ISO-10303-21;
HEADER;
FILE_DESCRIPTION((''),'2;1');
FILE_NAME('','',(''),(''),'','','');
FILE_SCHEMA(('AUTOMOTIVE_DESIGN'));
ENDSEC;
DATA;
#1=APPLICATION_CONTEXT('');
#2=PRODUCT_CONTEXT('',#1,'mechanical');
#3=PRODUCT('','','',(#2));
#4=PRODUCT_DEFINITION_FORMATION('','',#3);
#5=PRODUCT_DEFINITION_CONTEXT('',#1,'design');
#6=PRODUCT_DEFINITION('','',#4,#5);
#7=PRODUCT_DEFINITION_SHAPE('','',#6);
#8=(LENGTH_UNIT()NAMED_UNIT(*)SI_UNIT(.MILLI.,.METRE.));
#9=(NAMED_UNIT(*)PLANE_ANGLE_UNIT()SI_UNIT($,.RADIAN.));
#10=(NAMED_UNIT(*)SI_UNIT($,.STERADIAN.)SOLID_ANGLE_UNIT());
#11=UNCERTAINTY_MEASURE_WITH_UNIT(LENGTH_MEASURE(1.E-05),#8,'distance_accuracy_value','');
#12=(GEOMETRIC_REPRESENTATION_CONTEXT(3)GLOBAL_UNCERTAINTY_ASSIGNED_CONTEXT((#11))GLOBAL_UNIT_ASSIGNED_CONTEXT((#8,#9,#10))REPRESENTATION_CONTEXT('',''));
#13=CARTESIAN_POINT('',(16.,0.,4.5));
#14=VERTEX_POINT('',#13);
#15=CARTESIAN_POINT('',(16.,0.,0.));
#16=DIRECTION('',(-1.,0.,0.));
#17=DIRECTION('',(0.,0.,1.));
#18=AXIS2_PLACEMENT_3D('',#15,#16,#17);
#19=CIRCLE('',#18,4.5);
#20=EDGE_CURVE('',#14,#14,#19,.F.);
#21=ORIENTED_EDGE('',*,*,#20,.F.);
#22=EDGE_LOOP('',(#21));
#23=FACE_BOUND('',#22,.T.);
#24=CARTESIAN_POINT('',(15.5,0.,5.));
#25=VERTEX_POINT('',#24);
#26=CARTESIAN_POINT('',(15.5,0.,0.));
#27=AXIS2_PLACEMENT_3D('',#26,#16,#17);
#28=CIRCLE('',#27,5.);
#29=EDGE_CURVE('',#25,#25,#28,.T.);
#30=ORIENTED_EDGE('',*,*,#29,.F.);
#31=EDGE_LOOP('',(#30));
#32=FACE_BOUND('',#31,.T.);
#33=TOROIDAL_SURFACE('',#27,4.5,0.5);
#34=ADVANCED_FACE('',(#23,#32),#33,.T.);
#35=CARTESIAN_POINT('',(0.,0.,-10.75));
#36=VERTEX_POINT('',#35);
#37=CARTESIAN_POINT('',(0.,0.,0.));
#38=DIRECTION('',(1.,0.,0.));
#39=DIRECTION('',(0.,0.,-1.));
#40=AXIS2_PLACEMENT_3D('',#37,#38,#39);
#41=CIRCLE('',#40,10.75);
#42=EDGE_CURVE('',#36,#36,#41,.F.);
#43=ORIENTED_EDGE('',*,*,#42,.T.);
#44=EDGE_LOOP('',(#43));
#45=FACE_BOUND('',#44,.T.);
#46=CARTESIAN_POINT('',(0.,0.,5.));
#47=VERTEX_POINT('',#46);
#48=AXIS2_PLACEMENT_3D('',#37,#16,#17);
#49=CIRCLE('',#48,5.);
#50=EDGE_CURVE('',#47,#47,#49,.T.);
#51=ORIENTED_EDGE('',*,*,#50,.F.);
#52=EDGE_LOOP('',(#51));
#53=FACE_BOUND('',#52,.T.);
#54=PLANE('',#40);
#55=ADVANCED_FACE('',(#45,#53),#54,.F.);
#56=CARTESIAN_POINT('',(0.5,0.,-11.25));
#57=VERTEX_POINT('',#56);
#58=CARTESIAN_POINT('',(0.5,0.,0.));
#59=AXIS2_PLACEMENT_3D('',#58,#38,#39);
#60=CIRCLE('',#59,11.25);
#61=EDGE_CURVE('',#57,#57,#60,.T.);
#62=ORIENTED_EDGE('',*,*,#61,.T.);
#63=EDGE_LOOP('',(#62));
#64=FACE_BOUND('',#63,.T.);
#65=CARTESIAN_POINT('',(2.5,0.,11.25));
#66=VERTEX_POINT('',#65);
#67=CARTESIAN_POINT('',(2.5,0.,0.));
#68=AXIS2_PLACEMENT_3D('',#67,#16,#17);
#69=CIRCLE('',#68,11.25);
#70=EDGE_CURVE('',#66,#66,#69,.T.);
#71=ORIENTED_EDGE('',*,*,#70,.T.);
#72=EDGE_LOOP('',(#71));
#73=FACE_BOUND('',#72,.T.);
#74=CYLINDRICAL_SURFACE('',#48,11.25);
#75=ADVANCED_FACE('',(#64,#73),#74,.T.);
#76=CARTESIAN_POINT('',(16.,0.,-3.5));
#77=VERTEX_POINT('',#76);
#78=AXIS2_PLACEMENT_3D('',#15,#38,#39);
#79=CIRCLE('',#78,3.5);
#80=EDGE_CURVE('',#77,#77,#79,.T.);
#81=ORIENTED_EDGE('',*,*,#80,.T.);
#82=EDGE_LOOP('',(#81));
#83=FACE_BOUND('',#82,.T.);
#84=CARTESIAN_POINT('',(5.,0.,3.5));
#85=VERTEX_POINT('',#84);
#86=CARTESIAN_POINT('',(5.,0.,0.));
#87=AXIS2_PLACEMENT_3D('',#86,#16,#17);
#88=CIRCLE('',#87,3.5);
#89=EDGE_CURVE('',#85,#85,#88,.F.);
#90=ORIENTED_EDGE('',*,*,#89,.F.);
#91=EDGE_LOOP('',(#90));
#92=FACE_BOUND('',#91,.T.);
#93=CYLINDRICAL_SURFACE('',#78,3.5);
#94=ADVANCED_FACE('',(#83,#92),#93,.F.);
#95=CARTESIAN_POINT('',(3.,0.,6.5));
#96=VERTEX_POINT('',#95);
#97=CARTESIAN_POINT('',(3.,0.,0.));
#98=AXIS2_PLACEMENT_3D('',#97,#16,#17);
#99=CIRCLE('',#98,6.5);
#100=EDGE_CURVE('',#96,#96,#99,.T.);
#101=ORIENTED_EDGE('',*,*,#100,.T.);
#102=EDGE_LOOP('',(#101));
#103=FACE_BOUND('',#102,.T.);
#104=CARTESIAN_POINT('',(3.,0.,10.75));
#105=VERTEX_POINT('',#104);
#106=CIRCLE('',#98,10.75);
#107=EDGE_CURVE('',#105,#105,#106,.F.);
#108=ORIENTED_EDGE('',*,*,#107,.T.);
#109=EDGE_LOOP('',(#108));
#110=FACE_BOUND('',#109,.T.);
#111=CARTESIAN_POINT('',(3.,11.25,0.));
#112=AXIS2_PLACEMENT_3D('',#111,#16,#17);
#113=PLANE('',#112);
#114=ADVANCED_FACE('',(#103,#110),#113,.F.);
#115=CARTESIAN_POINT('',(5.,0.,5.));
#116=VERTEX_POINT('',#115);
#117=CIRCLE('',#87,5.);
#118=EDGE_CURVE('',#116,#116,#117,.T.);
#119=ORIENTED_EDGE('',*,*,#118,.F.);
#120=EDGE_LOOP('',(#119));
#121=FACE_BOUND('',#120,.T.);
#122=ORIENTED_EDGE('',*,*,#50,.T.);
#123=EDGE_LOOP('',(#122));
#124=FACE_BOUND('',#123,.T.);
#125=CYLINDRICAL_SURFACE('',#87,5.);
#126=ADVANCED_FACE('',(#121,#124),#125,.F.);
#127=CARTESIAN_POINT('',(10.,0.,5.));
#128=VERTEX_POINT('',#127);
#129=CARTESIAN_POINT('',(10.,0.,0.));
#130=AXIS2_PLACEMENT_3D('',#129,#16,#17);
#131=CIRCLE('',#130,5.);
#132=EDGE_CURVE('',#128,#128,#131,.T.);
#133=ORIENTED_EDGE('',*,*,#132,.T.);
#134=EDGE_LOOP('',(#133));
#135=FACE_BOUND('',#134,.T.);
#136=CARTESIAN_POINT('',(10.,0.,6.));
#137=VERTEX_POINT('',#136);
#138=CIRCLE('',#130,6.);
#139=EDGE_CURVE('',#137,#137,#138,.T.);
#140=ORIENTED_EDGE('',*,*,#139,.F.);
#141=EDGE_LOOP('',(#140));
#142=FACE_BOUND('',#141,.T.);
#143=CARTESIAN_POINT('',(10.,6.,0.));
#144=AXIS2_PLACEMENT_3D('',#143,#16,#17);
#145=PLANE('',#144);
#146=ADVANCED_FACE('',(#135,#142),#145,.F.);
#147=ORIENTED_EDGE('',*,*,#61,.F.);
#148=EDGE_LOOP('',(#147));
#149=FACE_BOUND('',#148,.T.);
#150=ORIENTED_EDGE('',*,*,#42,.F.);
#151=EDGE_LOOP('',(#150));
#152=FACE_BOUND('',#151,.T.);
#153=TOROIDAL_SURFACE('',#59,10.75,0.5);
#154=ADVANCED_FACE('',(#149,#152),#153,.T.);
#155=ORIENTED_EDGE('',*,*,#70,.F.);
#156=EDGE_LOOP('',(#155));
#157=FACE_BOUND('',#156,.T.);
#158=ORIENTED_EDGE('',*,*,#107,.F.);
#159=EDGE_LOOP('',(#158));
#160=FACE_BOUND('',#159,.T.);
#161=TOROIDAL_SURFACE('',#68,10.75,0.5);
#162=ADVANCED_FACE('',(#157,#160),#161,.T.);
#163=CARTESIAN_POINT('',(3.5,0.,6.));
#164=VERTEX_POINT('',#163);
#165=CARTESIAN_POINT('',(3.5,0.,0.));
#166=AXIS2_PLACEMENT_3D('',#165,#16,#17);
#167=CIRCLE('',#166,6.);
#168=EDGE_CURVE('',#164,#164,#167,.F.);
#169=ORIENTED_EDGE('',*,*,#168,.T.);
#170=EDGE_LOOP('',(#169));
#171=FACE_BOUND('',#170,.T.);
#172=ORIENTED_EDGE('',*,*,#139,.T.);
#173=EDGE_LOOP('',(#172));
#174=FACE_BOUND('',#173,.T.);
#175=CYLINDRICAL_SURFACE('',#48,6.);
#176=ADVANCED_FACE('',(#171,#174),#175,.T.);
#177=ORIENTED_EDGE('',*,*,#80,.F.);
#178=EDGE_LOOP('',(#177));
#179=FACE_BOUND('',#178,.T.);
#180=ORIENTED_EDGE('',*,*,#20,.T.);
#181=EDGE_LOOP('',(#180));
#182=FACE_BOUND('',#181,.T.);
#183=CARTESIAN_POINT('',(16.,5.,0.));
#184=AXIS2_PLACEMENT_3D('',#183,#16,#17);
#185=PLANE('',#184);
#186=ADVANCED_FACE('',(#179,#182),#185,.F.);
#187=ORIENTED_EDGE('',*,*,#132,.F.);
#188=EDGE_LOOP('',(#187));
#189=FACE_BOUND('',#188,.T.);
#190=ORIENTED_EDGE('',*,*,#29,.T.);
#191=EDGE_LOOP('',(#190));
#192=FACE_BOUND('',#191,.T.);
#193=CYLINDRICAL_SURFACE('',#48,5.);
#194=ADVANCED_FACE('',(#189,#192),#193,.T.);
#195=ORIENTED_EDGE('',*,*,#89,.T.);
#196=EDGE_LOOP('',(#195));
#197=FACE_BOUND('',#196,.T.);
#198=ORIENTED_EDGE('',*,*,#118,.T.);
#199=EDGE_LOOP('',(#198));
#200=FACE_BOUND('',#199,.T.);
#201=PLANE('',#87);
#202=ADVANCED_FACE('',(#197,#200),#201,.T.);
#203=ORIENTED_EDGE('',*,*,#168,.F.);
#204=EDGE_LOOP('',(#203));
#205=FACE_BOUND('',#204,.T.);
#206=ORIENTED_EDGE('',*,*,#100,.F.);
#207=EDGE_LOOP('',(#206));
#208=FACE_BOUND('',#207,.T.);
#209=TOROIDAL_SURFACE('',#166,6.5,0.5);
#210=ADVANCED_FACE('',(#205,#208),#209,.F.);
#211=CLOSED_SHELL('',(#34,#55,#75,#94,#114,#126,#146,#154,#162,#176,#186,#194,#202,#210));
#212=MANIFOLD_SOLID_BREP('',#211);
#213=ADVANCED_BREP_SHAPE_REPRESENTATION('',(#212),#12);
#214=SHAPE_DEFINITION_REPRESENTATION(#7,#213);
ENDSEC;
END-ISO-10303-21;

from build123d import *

# Parameters (mm, degrees)
FILLET1_R             = 0.5
M8X1_0_TAPPED_HOLE1_D = 7
SKETCH4_R             = 5
CUT_EXTRUDE1_DEPTH    = 5


with BuildPart() as part:
    # Sketch1 → Revolve1 (revolve)
    with BuildSketch(Plane.XY):
        Polygon((0, 0), (0, 11.25), (3, 11.25), (3, 6), (10, 6), (10, 5), (16, 5), (16, 0), align=None)
    revolve(axis=Axis((0, 0, 0), (1, 0, 0)))

    # Fillet1
    fillet1_edges = [part.edges().sort_by_distance(p)[0] for p in [
        (16, -5, 0),
        (3, -6, 0),
        (3, -11.25, 0),
        (0, -11.25, 0),
    ]]
    fillet(fillet1_edges, radius=FILLET1_R)

    # M8x1.0 Tapped Hole1 (through all)
    with Locations(Plane(origin=(16, 0, 0), x_dir=(0, 0, -1), z_dir=(1, 0, 0))):
        with Locations((0, 0)):
            Hole(M8X1_0_TAPPED_HOLE1_D / 2)

    # Sketch4 → Cut-Extrude1 (cut)
    with BuildSketch(Plane.ZY):
        Circle(SKETCH4_R)
    extrude(amount=-CUT_EXTRUDE1_DEPTH, mode=Mode.SUBTRACT)


solid = part.part
